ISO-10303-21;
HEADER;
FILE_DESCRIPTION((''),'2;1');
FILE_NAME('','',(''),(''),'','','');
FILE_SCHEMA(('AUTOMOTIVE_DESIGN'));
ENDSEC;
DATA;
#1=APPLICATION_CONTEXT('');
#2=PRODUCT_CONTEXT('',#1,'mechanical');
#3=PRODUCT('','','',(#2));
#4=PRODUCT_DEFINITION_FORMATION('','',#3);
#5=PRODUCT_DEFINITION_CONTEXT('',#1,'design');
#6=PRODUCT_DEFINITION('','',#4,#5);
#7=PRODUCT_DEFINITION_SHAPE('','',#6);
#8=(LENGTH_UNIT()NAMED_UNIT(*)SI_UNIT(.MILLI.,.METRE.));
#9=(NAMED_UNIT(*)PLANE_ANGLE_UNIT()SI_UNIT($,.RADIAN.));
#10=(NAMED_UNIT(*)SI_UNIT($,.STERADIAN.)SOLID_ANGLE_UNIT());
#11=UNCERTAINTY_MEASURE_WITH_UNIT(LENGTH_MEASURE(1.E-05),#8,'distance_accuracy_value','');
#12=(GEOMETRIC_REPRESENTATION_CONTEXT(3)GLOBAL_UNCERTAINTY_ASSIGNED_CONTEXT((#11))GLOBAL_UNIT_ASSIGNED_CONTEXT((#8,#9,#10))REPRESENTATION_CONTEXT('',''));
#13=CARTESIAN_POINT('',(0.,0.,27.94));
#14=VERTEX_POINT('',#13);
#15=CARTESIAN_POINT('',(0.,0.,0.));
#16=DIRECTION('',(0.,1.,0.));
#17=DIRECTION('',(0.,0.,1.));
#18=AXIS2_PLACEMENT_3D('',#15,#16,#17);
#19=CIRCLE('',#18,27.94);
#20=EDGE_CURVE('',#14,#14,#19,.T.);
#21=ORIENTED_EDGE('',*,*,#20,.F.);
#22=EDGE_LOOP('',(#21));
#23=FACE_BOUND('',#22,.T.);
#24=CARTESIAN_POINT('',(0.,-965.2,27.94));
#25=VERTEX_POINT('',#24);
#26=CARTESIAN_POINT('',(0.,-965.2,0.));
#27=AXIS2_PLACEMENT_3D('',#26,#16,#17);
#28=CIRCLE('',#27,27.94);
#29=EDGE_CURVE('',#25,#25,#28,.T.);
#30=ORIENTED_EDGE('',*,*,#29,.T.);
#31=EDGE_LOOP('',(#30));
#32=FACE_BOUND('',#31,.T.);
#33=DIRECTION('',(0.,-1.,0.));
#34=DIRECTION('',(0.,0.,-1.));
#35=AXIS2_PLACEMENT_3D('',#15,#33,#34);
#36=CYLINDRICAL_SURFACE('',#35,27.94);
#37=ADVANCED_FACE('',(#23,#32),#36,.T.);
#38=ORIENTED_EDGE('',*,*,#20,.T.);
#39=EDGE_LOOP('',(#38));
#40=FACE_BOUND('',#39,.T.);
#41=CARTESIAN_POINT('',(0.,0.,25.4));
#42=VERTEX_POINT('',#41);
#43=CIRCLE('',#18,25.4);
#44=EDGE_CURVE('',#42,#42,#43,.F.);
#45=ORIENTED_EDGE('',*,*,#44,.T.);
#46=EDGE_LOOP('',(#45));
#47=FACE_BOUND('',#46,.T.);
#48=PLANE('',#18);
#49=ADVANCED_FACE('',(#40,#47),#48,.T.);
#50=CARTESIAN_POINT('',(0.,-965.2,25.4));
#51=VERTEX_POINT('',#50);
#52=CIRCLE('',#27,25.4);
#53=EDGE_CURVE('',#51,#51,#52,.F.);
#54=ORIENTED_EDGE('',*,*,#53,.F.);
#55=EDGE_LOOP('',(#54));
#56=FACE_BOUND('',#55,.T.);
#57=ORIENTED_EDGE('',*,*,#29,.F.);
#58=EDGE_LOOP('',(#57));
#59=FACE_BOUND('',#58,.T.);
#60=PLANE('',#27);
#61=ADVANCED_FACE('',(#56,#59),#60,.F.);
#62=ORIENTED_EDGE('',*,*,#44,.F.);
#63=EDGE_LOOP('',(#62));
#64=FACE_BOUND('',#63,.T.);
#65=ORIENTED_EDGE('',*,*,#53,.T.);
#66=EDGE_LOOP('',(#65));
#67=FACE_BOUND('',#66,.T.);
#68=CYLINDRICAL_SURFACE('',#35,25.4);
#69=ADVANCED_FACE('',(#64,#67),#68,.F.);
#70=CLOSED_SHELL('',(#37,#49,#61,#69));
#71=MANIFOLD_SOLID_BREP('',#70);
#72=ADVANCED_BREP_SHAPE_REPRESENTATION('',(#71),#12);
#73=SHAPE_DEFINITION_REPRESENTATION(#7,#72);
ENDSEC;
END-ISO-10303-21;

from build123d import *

# Parameters (mm, degrees)
SKETCH1_R   = 27.94
SKETCH1_R_2 = 25.4


with BuildPart() as part:
    # Sweep2: sweep along a curve in space
    with BuildLine() as sweep2_path:
        Line((0, 0, 0), (0, -965.2, 0))
    # Sketch1 → Sweep2 (sweep)
    with BuildSketch(Plane(origin=(0, 0, 0), x_dir=(1, 0, 0), z_dir=(0, 1, 0))):
        Circle(SKETCH1_R)
        Circle(SKETCH1_R_2, mode=Mode.SUBTRACT)
    sweep(path=sweep2_path.line)


solid = part.part
